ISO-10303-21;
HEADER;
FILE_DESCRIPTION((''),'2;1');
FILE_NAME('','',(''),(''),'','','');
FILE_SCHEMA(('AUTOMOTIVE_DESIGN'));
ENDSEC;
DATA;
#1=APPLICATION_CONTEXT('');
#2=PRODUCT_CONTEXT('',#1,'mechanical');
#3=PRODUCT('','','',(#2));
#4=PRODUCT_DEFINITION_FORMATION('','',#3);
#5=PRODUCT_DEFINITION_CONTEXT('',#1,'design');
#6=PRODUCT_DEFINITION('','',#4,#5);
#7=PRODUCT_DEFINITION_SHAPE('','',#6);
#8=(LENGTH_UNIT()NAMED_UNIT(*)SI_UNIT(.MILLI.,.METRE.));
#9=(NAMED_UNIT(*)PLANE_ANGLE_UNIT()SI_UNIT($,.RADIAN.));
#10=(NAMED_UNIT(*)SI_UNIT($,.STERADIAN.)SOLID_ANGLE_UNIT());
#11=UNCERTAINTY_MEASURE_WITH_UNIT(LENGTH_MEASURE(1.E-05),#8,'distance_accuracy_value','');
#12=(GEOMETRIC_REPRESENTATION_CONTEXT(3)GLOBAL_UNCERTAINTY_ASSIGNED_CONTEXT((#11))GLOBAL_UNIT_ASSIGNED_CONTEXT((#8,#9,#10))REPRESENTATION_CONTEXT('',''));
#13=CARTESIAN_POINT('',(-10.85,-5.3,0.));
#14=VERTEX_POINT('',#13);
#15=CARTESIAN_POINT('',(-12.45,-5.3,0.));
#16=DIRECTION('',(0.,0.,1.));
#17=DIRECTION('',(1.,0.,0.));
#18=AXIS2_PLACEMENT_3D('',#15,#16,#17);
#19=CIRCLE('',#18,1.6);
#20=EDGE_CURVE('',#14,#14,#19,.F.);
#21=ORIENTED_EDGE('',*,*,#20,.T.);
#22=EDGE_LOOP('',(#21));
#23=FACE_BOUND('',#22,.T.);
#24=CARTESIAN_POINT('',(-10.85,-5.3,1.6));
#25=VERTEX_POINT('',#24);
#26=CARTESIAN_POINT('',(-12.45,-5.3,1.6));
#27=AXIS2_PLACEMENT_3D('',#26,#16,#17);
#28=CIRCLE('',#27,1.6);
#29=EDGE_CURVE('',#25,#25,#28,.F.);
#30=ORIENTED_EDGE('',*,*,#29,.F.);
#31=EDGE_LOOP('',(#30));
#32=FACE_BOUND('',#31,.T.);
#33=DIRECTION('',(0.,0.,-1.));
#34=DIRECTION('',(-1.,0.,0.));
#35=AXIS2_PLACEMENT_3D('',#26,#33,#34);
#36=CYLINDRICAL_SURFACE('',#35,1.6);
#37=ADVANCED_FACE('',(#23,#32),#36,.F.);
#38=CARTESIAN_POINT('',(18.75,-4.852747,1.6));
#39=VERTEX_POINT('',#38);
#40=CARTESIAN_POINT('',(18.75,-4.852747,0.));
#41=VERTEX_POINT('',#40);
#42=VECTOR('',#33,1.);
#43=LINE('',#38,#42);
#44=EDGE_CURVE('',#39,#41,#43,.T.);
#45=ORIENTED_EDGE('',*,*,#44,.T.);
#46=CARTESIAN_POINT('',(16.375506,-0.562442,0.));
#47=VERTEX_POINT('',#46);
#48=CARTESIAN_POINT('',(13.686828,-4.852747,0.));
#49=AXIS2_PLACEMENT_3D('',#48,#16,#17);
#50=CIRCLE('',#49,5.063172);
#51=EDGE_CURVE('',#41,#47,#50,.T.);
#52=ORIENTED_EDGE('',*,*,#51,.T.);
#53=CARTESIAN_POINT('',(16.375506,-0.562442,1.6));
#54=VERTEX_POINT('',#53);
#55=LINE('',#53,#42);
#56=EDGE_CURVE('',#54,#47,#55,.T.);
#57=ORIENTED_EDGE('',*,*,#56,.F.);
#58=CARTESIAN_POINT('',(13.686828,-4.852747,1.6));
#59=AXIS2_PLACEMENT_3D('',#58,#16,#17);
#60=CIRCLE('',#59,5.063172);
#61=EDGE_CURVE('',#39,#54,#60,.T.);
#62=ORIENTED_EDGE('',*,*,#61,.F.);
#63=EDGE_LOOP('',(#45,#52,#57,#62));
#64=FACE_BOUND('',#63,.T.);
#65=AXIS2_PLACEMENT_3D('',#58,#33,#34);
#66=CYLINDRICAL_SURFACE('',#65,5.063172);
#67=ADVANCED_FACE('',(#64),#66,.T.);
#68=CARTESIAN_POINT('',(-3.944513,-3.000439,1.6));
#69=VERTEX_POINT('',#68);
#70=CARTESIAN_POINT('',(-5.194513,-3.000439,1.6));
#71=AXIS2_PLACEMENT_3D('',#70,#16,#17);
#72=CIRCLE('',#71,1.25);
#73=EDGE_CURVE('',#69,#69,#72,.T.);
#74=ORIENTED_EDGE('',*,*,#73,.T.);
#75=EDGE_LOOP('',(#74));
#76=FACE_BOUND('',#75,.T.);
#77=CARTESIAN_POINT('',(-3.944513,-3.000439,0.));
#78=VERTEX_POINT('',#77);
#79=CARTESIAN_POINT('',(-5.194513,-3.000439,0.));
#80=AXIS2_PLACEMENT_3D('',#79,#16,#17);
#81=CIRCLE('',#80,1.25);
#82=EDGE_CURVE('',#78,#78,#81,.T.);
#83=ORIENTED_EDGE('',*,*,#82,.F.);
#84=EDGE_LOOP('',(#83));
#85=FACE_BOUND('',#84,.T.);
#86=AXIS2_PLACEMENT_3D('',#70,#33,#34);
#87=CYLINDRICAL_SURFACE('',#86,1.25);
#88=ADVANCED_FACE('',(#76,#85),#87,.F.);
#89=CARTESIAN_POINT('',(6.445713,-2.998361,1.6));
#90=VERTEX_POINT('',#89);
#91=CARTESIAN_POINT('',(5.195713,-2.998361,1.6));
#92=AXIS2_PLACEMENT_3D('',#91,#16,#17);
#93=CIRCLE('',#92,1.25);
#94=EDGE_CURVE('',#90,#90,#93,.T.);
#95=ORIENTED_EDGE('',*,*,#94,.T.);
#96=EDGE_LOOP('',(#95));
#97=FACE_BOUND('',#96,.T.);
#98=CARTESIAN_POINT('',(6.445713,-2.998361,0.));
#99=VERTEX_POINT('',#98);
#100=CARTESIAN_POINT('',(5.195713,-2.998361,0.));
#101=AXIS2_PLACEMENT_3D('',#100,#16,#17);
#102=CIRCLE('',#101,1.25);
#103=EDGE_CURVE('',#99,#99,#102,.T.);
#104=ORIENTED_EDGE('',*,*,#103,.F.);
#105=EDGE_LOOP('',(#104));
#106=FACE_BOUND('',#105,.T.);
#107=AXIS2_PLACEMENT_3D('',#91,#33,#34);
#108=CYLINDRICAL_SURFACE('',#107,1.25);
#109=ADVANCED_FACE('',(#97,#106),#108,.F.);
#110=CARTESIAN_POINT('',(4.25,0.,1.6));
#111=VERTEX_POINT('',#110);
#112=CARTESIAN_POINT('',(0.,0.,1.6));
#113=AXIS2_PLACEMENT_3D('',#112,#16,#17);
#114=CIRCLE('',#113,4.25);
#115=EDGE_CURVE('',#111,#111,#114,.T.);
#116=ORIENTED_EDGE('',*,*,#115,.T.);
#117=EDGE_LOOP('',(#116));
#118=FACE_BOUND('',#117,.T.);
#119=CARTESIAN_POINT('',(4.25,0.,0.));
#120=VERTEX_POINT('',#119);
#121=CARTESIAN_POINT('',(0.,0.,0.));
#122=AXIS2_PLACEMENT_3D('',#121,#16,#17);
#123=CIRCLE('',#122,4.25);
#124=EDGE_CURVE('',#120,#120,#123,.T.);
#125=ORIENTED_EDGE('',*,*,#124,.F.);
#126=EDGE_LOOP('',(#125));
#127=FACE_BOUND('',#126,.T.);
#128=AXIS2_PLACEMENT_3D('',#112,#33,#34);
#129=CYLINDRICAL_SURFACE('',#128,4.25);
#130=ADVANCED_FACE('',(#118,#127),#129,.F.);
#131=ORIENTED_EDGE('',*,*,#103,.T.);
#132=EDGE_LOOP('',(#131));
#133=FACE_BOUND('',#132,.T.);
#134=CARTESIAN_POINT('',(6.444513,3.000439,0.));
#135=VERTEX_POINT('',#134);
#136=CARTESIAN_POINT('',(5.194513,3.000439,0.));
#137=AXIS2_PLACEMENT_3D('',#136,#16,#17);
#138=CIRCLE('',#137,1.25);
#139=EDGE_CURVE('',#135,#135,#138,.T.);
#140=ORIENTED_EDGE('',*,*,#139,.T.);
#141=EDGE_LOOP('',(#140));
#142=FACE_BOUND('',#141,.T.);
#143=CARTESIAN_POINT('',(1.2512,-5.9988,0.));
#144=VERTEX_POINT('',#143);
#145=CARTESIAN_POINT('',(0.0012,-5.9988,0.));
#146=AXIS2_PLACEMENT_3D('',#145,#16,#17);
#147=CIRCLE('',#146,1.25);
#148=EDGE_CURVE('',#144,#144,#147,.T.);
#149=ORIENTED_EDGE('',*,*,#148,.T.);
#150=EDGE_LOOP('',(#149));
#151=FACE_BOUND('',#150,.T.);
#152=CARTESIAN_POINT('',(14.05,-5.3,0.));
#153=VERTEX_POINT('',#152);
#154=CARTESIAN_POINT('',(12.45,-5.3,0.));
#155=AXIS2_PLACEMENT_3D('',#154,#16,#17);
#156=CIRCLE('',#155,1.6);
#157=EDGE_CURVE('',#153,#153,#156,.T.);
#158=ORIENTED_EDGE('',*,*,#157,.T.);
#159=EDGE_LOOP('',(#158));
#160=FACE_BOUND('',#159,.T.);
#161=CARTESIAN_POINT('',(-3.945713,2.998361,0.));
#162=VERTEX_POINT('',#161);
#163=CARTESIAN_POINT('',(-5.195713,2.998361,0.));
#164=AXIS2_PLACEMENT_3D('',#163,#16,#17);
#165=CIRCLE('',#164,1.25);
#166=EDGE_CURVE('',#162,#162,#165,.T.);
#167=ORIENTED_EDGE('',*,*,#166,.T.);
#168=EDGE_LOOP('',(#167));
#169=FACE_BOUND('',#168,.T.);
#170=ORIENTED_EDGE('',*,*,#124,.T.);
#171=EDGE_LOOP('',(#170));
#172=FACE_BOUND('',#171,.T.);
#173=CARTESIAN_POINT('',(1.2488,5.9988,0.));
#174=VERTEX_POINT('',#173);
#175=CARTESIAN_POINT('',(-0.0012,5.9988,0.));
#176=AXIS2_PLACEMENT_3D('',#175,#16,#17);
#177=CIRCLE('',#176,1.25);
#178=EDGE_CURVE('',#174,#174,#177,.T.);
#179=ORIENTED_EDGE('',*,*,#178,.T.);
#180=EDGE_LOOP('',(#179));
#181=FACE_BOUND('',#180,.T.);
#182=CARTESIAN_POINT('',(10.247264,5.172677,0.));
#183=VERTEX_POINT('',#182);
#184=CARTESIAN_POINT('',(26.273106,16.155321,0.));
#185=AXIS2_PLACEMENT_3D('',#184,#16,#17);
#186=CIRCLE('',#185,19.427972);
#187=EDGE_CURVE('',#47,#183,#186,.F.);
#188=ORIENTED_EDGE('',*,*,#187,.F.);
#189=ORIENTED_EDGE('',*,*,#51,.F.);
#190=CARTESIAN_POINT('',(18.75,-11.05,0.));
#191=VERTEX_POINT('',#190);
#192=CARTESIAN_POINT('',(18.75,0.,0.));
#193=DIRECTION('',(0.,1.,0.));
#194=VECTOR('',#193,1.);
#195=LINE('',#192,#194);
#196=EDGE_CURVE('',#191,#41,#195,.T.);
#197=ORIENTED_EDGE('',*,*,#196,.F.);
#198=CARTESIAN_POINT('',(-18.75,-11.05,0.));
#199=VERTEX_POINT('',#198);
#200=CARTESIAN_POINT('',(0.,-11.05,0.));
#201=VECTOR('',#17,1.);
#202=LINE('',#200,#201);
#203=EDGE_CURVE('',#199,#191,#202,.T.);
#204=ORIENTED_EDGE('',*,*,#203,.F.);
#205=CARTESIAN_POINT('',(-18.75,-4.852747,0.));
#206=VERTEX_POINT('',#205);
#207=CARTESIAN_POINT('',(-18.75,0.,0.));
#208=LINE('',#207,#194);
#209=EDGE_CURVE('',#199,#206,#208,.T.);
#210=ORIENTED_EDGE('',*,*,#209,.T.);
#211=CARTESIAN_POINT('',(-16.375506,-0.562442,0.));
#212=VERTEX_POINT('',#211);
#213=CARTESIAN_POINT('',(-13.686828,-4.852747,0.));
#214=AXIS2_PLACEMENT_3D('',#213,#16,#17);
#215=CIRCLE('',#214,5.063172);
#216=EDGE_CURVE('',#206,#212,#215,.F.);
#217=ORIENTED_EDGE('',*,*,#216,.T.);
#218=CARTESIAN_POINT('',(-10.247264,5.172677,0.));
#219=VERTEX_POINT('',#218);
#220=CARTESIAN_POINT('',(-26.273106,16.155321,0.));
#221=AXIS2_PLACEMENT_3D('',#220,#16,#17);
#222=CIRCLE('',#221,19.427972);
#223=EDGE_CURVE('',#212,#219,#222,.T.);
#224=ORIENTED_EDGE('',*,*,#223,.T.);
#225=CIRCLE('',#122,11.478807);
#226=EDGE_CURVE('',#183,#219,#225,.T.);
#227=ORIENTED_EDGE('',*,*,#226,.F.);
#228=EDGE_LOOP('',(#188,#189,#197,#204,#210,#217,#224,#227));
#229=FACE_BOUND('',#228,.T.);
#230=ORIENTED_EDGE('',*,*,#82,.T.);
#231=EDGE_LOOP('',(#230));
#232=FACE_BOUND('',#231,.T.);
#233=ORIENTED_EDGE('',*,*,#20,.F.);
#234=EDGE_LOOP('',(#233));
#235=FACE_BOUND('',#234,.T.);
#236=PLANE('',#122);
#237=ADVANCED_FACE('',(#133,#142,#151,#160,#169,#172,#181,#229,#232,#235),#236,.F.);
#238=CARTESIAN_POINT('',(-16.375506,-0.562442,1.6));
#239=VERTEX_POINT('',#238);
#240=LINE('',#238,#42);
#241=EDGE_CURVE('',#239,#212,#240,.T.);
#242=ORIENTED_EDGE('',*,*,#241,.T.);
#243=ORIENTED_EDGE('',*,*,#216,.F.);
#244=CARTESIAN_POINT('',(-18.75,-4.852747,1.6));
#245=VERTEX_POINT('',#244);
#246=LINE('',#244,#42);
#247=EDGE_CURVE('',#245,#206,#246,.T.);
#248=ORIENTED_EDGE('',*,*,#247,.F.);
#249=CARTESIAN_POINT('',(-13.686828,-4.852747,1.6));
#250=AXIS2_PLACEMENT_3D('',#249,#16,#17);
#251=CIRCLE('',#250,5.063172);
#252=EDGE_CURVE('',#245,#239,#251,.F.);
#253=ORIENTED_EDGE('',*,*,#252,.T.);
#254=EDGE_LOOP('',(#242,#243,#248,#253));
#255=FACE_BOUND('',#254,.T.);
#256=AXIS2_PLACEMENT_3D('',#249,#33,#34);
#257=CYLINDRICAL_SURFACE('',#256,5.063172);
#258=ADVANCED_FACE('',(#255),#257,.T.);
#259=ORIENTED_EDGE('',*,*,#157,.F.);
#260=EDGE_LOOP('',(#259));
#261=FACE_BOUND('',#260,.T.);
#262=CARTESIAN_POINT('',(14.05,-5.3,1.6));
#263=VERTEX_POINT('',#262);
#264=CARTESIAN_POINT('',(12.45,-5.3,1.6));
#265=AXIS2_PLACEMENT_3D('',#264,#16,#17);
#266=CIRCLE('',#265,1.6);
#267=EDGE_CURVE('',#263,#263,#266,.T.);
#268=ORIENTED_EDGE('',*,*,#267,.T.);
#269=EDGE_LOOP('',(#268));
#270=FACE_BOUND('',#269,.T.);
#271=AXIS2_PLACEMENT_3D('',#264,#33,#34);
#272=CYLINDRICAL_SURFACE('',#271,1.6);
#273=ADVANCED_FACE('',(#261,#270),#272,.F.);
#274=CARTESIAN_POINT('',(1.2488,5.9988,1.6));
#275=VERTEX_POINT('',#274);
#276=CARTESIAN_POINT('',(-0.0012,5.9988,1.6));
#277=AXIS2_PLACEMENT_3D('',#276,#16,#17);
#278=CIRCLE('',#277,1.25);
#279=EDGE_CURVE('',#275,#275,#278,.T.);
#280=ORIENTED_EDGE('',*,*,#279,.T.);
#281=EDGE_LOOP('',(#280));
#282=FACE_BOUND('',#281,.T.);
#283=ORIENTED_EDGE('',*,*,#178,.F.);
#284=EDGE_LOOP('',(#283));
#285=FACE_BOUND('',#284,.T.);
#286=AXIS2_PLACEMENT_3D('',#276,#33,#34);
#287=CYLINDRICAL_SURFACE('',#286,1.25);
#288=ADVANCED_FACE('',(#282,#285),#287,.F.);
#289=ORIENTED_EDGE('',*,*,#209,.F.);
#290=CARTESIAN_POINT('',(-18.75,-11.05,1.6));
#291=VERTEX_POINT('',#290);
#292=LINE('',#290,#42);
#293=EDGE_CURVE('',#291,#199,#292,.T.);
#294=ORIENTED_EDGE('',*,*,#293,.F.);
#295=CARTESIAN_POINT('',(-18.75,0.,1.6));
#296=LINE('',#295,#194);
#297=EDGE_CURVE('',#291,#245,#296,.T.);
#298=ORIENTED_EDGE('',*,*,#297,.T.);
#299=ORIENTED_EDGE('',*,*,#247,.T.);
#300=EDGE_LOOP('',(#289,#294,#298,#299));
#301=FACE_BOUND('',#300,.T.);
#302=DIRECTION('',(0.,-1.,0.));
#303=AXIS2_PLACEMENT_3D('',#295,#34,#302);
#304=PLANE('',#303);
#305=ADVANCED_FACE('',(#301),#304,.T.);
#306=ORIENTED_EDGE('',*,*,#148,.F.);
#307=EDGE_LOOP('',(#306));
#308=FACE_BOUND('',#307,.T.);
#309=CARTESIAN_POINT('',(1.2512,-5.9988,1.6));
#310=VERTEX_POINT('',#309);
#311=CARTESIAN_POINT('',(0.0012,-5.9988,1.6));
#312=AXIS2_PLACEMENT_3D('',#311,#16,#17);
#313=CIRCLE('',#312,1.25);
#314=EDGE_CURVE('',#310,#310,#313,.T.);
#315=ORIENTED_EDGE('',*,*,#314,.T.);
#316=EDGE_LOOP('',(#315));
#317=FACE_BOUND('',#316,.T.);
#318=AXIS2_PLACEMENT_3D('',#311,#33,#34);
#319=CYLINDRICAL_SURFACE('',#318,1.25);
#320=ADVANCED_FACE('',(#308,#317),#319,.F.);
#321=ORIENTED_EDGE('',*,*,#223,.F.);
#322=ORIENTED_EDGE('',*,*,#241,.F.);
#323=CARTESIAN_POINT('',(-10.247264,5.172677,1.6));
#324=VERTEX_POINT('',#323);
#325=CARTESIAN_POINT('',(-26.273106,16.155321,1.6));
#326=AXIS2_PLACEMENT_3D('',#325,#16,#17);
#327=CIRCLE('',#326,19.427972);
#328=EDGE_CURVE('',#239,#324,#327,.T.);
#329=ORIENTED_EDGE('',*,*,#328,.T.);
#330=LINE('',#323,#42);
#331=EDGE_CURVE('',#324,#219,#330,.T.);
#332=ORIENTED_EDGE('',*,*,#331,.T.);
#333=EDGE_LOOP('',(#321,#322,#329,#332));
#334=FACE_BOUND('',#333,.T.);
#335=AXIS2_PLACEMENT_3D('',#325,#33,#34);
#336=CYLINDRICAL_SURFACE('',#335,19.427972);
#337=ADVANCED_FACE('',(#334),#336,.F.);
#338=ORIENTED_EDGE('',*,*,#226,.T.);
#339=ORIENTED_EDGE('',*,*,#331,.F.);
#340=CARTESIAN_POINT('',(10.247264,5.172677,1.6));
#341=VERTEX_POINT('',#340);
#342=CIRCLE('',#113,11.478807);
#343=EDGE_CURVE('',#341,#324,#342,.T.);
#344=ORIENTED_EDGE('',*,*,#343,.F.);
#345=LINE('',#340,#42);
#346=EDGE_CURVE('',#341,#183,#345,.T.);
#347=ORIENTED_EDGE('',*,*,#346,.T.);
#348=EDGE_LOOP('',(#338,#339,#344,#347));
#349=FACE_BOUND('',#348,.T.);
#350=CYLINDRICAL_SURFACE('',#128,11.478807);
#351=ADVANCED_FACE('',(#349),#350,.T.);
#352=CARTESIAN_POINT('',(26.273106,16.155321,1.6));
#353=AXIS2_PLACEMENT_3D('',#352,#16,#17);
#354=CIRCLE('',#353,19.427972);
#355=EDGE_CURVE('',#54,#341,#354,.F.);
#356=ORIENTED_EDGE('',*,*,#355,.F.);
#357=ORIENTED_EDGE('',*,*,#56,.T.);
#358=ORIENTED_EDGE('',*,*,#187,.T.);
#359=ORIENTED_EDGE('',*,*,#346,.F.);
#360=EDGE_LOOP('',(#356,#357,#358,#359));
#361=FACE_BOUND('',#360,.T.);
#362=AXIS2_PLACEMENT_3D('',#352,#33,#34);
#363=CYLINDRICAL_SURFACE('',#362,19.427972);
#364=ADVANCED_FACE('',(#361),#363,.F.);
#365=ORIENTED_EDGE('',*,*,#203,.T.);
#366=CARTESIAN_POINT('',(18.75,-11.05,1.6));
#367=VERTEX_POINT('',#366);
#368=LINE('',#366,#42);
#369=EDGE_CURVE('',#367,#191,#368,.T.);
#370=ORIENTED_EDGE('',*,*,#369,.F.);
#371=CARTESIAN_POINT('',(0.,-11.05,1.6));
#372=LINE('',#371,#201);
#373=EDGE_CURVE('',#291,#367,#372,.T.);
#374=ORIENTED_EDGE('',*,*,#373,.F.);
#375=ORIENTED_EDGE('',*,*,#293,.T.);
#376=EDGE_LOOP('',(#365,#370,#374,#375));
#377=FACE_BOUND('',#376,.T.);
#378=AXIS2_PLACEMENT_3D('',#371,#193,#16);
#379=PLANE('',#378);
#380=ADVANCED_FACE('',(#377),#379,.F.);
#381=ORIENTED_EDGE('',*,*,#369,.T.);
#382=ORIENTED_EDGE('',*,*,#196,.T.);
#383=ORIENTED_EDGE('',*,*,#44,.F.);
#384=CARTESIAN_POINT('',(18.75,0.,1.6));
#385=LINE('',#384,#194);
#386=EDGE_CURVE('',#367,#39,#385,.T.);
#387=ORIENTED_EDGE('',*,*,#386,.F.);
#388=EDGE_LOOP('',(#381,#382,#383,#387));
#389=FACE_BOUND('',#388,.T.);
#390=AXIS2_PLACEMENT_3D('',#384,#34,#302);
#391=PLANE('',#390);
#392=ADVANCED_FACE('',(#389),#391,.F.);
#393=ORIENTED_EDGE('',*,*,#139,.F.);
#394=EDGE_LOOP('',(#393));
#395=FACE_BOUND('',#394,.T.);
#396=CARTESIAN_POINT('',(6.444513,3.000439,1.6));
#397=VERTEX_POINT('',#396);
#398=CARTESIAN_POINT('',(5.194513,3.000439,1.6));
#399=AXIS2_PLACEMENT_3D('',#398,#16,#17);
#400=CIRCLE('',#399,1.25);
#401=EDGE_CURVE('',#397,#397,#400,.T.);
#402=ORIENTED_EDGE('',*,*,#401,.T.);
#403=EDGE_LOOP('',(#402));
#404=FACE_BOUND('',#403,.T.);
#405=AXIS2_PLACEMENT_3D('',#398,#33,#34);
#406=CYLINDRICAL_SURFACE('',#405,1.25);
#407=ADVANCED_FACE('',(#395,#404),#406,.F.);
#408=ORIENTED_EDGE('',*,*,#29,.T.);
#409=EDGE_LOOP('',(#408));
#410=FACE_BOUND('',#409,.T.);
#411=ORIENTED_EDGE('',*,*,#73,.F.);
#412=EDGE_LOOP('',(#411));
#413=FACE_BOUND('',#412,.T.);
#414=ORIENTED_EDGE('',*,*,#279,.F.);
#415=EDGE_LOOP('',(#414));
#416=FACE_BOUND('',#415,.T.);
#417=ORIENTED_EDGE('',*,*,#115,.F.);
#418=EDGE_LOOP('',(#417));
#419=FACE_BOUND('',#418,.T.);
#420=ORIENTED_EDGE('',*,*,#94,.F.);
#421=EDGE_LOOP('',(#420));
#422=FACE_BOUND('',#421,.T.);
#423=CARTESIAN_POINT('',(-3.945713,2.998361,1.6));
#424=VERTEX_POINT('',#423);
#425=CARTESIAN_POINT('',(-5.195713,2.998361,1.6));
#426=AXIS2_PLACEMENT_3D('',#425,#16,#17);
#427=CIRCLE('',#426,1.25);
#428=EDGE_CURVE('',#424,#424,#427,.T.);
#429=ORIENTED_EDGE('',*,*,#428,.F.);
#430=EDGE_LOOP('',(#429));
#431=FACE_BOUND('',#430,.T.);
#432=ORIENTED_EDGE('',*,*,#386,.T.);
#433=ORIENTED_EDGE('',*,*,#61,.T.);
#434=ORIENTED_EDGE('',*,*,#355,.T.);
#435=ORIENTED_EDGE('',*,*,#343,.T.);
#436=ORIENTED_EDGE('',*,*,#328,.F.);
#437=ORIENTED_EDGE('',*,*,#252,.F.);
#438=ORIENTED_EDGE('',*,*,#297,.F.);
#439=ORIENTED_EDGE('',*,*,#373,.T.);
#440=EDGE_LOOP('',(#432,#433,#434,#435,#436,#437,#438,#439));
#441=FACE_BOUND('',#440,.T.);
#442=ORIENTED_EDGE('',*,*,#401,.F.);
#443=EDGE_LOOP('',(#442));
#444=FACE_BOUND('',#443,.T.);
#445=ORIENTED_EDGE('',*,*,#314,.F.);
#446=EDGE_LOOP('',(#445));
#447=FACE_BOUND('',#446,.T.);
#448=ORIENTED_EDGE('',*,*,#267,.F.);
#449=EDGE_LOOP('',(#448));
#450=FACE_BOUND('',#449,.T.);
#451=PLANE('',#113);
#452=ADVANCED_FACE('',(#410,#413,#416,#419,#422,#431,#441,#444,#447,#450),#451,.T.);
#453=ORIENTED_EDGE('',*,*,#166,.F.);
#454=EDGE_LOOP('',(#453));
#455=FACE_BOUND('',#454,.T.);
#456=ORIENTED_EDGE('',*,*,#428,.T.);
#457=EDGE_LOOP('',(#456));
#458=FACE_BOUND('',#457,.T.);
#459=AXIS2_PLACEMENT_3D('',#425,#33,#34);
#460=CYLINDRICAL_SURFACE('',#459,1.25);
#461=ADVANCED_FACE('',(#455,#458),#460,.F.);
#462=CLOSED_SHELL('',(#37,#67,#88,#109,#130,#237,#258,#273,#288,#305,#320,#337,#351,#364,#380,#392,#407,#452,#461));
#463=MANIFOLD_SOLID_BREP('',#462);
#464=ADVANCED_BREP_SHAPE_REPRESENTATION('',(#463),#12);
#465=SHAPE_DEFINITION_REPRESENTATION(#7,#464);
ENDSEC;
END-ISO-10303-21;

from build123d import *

# Parameters (mm, degrees)
CROQUIS1_R              = 4.25
CROQUIS1_R_2            = 1.249999997
CROQUIS1_R_3            = 1.25
CROQUIS1_R_4            = 1.250000007
CROQUIS1_R_5            = 1.6
SALIENTE_EXTRUIR1_DEPTH = 1.6


with BuildPart() as part:
    # Croquis1 → Saliente-Extruir1 (new body)
    with BuildSketch(Plane.XY):
        with BuildLine():
            Line((-18.75, -11.05), (18.75, -11.05))
            Line((18.75, -11.05), (18.75, -4.852747113))
            ThreePointArc((18.75, -4.852747113), (18.116780108, -2.400965101), (16.375506293, -0.562441789))
            ThreePointArc((16.375506293, -0.562441789), (12.997975085, 1.970224072), (10.247264226, 5.172676757))
            ThreePointArc((10.247264226, 5.172676757), (0, 11.478806947), (-10.247264226, 5.172676757))
            ThreePointArc((-10.247264226, 5.172676757), (-12.997975085, 1.970224072), (-16.375506293, -0.562441789))
            ThreePointArc((-16.375506293, -0.562441789), (-18.116780108, -2.400965101), (-18.75, -4.852747113))
            Line((-18.75, -4.852747113), (-18.75, -11.05))
        make_face()
        Circle(CROQUIS1_R, mode=Mode.SUBTRACT)
        with Locations((-0.0012, 5.99880001)):
            Circle(CROQUIS1_R_2, mode=Mode.SUBTRACT)
        with Locations((5.194513192, 3.000439231)):
            Circle(CROQUIS1_R_3, mode=Mode.SUBTRACT)
        with Locations((5.195713192, -2.998360769)):
            Circle(CROQUIS1_R_3, mode=Mode.SUBTRACT)
        with Locations((0.0012, -5.9988)):
            Circle(CROQUIS1_R_3, mode=Mode.SUBTRACT)
        with Locations((-5.194513192, -3.00043923)):
            Circle(CROQUIS1_R_3, mode=Mode.SUBTRACT)
        with Locations((-5.195713248, 2.998360802)):
            Circle(CROQUIS1_R_4, mode=Mode.SUBTRACT)
        with Locations((12.45, -5.3)):
            Circle(CROQUIS1_R_5, mode=Mode.SUBTRACT)
        with Locations((-12.45, -5.3)):
            Circle(CROQUIS1_R_5, mode=Mode.SUBTRACT)
    extrude(amount=SALIENTE_EXTRUIR1_DEPTH)


solid = part.part
